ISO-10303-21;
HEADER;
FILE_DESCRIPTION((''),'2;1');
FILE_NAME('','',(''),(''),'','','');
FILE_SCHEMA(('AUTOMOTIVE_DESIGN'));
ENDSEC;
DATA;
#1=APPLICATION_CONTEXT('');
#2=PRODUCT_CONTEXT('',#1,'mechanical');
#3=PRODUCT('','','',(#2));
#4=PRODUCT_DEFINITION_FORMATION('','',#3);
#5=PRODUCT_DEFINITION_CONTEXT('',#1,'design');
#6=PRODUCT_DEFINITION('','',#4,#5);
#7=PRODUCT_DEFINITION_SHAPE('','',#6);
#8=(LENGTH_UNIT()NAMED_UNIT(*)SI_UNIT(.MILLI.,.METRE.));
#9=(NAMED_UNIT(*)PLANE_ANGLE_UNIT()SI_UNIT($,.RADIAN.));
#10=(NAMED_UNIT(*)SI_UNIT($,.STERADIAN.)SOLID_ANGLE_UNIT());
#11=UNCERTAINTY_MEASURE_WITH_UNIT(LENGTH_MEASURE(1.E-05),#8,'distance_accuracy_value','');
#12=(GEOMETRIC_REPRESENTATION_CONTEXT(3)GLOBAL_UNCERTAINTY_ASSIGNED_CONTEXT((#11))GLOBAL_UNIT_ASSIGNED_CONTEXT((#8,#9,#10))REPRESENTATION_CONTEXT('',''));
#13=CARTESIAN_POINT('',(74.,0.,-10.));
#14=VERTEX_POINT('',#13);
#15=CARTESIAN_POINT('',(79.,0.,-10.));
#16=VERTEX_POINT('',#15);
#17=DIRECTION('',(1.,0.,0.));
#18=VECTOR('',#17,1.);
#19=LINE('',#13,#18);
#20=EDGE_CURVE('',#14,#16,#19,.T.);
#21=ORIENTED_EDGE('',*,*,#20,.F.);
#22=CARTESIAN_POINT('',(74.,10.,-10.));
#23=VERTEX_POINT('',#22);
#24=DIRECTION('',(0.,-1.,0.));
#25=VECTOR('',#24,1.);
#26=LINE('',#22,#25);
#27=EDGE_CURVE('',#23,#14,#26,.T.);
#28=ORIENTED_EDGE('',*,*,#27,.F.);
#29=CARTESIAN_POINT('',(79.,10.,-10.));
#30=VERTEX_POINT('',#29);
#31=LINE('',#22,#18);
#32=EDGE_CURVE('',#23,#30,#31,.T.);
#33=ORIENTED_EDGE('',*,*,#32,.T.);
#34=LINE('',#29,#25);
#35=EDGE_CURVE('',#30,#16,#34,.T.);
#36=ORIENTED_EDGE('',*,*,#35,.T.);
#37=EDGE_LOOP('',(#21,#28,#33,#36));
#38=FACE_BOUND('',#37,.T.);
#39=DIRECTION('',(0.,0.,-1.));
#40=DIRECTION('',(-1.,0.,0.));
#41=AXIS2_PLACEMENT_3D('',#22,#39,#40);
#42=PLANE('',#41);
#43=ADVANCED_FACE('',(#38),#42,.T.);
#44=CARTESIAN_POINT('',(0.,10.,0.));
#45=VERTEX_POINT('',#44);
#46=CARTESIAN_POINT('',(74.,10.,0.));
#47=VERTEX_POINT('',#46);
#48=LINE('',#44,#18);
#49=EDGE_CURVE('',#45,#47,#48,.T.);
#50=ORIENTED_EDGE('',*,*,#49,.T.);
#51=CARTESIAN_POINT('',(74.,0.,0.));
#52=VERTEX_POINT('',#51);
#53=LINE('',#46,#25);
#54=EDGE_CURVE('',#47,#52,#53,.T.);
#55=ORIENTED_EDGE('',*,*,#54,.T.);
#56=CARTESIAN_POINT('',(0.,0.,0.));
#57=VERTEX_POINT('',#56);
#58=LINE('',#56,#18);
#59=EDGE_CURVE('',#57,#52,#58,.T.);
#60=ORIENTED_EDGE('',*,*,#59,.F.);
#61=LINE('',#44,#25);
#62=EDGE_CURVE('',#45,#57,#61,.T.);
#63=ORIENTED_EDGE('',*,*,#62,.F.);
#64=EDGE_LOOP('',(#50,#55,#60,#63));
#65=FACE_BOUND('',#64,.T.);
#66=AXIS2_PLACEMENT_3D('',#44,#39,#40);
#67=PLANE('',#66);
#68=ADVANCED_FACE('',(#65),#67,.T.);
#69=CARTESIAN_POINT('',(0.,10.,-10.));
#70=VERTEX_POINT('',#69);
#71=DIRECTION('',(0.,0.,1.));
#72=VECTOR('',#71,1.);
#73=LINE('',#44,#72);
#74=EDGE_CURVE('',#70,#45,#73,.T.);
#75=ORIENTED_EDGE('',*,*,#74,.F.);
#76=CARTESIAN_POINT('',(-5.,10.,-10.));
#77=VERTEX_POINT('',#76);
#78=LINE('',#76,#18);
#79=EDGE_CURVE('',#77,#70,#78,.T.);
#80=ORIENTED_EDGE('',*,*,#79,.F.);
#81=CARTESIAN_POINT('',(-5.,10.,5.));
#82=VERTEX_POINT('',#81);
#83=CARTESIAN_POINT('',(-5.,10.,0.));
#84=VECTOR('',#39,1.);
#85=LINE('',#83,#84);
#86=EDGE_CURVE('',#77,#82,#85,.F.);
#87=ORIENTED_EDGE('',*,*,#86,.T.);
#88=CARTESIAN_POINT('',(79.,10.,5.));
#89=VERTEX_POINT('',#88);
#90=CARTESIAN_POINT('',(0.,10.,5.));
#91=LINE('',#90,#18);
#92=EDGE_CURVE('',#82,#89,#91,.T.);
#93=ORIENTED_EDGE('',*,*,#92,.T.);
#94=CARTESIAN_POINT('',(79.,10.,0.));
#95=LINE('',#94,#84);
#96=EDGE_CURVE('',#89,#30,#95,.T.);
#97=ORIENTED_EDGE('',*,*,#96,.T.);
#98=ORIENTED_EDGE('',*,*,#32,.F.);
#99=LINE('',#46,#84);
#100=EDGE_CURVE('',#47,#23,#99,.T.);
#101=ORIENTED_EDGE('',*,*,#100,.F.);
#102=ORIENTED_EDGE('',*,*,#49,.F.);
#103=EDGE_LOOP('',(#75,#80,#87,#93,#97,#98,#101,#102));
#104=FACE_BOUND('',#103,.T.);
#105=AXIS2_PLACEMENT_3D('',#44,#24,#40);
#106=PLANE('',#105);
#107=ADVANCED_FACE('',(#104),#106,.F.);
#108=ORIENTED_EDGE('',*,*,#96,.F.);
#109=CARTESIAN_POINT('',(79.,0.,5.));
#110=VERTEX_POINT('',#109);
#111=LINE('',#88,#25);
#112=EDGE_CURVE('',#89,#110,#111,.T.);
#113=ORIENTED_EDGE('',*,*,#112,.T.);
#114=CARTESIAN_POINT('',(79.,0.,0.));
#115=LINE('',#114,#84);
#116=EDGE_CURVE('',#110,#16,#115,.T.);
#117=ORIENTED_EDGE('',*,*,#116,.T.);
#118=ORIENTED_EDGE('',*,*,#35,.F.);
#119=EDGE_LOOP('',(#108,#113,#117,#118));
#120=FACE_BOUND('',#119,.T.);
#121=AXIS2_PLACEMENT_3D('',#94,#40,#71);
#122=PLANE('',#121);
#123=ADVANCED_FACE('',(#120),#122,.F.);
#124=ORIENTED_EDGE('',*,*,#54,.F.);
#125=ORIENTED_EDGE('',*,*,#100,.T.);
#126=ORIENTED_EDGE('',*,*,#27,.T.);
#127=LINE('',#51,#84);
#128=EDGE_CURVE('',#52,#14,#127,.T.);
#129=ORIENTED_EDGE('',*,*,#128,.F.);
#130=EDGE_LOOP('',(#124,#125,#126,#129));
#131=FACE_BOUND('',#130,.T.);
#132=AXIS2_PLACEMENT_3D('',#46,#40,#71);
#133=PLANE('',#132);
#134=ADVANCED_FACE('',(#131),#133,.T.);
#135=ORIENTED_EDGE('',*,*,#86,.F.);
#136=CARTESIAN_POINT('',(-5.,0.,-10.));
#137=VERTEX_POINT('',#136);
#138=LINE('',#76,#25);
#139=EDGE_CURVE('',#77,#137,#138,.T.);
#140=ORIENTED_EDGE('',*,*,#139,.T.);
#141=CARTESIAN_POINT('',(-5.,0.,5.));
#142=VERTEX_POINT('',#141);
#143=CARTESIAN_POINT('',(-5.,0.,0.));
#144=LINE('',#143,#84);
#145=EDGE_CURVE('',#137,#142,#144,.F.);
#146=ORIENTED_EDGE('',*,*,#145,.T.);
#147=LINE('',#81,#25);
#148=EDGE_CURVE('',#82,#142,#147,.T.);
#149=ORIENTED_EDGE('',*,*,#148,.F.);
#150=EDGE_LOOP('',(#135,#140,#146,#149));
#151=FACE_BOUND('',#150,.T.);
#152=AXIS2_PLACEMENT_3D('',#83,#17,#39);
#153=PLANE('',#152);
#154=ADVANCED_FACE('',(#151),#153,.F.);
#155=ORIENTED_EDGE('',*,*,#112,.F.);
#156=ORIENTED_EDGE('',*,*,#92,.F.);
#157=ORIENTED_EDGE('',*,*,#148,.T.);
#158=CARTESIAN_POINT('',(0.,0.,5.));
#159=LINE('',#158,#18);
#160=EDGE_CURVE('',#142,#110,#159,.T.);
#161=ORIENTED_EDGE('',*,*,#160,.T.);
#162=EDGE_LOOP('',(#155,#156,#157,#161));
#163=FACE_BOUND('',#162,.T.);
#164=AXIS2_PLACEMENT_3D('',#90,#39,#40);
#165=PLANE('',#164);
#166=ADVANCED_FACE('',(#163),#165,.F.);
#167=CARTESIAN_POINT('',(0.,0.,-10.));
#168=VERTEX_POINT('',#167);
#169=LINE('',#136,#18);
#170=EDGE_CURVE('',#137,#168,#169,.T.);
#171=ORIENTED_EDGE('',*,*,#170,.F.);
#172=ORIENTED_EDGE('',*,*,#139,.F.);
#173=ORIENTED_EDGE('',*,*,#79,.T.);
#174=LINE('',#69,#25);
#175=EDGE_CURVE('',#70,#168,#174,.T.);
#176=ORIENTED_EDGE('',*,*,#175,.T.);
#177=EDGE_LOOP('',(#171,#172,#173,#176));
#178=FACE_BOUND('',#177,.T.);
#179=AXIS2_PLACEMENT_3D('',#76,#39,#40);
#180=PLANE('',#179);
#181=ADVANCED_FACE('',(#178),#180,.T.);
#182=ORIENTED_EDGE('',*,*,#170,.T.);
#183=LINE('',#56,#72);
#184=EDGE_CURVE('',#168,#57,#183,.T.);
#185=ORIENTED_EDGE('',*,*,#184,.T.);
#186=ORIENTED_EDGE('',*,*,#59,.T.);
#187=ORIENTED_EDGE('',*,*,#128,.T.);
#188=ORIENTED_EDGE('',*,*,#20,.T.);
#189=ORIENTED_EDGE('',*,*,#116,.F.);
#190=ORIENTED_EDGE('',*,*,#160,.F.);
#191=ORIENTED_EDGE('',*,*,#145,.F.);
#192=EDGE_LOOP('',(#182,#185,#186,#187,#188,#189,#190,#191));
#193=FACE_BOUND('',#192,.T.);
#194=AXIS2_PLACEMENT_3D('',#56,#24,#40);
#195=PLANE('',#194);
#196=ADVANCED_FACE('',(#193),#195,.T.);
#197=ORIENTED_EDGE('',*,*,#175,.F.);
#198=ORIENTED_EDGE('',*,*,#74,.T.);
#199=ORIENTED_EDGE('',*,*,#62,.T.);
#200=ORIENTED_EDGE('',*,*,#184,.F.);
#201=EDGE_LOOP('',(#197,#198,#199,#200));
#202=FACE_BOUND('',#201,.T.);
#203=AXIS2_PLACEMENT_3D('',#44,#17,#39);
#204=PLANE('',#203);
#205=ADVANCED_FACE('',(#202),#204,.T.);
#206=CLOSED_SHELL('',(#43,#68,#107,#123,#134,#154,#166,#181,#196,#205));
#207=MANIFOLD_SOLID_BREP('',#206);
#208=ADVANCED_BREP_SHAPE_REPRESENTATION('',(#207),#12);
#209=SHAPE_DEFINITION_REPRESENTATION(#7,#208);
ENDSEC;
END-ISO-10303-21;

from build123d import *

# Parameters (mm, degrees)
EXTRUDE_THIN1_DEPTH = 10


with BuildPart() as part:
    # Sketch1 → Extrude-Thin1 (new body)
    with BuildSketch(Plane(origin=(0, 0, 0), x_dir=(1, 0, 0), z_dir=(0, 1, 0))):
        Polygon((0, 10), (0, 0), (74, 0), (74, 10), (79, 10), (79, -5), (-5, -5), (-5, 10), align=None)
    extrude(amount=EXTRUDE_THIN1_DEPTH)


solid = part.part
